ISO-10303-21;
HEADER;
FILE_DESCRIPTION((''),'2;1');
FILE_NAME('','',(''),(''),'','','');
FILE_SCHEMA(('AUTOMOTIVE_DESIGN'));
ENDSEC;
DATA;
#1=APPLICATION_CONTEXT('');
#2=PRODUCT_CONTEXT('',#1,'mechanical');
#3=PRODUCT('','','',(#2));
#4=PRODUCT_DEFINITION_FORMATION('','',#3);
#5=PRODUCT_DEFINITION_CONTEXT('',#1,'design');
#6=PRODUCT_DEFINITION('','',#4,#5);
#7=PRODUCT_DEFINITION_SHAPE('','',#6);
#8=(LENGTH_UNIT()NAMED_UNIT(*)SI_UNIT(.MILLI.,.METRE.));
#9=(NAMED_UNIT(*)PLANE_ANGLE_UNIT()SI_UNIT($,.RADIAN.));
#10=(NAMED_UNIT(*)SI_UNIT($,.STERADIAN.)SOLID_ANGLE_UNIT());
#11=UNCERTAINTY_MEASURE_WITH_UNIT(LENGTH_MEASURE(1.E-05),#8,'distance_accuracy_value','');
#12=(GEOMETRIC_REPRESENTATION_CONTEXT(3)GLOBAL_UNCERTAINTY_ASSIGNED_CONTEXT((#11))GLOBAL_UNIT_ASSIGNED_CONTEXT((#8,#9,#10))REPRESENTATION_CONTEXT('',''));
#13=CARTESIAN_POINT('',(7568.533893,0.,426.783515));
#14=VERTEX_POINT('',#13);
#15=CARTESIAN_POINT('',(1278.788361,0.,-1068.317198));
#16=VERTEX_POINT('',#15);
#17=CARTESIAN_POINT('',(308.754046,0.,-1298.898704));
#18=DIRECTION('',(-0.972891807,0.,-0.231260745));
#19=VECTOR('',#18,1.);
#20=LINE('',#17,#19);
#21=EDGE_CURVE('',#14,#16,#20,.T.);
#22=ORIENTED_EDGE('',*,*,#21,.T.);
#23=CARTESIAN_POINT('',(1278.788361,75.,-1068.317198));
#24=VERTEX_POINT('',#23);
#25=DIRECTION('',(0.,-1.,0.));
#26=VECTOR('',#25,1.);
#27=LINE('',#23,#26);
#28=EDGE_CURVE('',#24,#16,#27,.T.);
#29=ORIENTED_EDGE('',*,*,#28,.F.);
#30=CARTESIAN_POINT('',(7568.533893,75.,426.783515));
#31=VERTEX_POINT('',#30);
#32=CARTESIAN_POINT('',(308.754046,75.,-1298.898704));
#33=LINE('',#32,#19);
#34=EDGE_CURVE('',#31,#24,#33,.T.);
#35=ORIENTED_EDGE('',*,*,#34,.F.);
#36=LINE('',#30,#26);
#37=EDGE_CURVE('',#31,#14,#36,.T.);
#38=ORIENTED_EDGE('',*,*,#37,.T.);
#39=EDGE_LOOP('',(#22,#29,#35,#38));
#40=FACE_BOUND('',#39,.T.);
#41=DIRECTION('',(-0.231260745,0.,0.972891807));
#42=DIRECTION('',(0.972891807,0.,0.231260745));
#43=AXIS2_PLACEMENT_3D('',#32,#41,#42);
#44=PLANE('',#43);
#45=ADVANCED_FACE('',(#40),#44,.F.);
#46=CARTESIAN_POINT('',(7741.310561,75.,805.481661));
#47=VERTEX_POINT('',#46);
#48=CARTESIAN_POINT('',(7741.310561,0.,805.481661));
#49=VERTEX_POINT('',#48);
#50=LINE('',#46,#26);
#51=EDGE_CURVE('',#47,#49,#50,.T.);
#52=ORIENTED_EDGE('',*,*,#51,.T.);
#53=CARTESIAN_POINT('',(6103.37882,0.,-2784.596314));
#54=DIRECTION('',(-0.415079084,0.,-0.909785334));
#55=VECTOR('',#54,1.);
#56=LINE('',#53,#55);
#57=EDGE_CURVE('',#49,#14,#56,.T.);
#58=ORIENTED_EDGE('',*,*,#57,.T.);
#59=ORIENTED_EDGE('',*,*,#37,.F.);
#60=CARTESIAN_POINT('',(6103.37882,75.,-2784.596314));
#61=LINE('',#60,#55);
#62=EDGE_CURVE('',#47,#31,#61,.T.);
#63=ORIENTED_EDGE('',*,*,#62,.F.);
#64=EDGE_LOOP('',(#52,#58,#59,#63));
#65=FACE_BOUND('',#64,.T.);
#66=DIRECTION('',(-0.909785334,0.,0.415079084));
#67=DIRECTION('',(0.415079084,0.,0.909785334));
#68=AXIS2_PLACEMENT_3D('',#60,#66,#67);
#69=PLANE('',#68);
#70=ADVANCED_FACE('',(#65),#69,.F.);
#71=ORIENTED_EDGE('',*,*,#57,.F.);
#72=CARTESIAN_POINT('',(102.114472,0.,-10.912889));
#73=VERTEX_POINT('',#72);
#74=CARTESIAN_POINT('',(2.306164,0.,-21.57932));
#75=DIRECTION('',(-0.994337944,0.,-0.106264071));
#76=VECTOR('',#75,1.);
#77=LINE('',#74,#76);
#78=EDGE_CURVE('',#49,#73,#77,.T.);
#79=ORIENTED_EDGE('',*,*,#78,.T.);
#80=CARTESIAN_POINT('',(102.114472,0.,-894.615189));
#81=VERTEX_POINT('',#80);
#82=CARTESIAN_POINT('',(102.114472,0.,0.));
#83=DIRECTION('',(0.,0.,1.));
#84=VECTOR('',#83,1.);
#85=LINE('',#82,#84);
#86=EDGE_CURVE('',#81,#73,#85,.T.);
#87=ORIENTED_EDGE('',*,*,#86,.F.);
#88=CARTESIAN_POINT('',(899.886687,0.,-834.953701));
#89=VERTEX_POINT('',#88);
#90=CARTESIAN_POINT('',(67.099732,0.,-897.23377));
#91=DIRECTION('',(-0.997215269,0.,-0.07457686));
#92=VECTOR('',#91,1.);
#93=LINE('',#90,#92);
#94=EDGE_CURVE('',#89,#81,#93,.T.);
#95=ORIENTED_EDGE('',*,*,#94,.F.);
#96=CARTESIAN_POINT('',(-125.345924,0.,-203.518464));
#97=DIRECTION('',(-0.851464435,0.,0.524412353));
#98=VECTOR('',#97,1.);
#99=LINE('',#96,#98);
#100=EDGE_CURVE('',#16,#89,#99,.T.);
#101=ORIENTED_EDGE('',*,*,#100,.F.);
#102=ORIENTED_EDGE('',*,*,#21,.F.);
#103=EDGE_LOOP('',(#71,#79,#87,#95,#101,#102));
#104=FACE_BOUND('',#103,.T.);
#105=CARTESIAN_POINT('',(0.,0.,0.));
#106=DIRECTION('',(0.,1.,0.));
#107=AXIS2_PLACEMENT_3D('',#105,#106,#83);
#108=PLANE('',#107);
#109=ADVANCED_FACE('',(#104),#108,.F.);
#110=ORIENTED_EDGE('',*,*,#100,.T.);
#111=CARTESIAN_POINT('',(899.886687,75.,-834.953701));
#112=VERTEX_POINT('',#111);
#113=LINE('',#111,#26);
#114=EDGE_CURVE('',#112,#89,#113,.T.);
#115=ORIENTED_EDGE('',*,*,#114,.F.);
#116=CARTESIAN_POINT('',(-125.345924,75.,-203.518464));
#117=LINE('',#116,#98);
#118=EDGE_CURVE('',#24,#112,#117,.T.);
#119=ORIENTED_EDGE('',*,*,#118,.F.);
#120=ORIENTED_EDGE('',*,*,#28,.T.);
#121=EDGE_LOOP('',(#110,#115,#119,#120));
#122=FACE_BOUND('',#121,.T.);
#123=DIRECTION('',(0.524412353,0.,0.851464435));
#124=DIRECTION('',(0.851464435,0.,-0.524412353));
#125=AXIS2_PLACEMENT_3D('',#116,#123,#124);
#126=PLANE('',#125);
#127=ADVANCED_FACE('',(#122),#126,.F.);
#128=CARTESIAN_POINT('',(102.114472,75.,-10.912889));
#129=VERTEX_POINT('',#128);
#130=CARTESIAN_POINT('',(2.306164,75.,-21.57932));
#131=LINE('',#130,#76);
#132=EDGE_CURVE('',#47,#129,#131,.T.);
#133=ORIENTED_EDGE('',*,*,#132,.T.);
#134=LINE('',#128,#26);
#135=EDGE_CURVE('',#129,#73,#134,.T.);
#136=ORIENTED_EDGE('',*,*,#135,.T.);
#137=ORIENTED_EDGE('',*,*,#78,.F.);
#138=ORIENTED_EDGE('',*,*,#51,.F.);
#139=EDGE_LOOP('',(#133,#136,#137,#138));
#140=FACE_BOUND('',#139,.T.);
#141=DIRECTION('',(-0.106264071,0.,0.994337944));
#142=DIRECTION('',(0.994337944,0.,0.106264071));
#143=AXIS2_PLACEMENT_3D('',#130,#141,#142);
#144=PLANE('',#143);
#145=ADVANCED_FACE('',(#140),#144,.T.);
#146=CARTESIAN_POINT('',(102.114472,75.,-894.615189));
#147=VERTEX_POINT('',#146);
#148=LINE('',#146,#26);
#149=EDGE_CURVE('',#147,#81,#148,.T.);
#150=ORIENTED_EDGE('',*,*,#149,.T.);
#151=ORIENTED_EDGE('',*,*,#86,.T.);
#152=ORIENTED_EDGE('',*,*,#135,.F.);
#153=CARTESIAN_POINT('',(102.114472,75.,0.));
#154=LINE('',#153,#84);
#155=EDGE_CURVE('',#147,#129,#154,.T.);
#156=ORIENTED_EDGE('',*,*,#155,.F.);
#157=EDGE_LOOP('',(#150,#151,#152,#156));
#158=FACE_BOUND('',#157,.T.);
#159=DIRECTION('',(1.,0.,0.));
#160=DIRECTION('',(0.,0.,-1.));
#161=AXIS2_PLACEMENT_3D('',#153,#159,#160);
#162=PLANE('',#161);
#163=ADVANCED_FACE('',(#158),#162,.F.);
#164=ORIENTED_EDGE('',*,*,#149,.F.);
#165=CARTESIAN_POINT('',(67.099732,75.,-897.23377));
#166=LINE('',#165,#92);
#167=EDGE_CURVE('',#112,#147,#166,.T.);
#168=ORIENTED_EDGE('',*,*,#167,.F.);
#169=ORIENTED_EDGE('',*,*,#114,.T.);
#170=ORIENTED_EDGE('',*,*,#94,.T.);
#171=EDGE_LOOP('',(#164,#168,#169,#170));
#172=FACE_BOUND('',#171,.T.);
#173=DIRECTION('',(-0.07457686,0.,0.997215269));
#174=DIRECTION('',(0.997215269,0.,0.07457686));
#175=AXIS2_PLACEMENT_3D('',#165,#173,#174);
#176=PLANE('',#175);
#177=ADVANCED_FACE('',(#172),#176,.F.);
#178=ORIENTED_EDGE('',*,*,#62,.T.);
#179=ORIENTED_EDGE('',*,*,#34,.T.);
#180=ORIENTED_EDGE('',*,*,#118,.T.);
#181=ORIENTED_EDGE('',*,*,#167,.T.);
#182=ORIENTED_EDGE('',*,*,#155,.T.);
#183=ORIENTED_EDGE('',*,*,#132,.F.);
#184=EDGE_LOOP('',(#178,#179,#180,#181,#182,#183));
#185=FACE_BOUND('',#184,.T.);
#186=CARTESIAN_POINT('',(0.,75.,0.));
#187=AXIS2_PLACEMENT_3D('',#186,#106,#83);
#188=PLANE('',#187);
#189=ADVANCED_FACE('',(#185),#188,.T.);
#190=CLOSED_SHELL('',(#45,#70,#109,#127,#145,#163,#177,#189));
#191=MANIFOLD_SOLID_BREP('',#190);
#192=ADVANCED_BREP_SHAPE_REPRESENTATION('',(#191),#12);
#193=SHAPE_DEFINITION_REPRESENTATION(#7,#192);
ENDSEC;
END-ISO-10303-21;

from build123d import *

# Parameters (mm, degrees)
BOSS_EXTRUDE1_DEPTH = 75


with BuildPart() as part:
    # Sketch1 → Boss-Extrude1 (new body)
    with BuildSketch(Plane(origin=(0, 0, 0), x_dir=(1, 0, 0), z_dir=(0, 1, 0))):
        Polygon((1278.788360718, 1068.317197863), (899.886687265, 834.953700601), (102.114472392, 894.615188825), (102.114472392, 10.912888966), (204.228944784, 0), (7741.310561314, -805.481660729), (7568.533892713, -426.783515384), align=None)
    extrude(amount=BOSS_EXTRUDE1_DEPTH)


solid = part.part
